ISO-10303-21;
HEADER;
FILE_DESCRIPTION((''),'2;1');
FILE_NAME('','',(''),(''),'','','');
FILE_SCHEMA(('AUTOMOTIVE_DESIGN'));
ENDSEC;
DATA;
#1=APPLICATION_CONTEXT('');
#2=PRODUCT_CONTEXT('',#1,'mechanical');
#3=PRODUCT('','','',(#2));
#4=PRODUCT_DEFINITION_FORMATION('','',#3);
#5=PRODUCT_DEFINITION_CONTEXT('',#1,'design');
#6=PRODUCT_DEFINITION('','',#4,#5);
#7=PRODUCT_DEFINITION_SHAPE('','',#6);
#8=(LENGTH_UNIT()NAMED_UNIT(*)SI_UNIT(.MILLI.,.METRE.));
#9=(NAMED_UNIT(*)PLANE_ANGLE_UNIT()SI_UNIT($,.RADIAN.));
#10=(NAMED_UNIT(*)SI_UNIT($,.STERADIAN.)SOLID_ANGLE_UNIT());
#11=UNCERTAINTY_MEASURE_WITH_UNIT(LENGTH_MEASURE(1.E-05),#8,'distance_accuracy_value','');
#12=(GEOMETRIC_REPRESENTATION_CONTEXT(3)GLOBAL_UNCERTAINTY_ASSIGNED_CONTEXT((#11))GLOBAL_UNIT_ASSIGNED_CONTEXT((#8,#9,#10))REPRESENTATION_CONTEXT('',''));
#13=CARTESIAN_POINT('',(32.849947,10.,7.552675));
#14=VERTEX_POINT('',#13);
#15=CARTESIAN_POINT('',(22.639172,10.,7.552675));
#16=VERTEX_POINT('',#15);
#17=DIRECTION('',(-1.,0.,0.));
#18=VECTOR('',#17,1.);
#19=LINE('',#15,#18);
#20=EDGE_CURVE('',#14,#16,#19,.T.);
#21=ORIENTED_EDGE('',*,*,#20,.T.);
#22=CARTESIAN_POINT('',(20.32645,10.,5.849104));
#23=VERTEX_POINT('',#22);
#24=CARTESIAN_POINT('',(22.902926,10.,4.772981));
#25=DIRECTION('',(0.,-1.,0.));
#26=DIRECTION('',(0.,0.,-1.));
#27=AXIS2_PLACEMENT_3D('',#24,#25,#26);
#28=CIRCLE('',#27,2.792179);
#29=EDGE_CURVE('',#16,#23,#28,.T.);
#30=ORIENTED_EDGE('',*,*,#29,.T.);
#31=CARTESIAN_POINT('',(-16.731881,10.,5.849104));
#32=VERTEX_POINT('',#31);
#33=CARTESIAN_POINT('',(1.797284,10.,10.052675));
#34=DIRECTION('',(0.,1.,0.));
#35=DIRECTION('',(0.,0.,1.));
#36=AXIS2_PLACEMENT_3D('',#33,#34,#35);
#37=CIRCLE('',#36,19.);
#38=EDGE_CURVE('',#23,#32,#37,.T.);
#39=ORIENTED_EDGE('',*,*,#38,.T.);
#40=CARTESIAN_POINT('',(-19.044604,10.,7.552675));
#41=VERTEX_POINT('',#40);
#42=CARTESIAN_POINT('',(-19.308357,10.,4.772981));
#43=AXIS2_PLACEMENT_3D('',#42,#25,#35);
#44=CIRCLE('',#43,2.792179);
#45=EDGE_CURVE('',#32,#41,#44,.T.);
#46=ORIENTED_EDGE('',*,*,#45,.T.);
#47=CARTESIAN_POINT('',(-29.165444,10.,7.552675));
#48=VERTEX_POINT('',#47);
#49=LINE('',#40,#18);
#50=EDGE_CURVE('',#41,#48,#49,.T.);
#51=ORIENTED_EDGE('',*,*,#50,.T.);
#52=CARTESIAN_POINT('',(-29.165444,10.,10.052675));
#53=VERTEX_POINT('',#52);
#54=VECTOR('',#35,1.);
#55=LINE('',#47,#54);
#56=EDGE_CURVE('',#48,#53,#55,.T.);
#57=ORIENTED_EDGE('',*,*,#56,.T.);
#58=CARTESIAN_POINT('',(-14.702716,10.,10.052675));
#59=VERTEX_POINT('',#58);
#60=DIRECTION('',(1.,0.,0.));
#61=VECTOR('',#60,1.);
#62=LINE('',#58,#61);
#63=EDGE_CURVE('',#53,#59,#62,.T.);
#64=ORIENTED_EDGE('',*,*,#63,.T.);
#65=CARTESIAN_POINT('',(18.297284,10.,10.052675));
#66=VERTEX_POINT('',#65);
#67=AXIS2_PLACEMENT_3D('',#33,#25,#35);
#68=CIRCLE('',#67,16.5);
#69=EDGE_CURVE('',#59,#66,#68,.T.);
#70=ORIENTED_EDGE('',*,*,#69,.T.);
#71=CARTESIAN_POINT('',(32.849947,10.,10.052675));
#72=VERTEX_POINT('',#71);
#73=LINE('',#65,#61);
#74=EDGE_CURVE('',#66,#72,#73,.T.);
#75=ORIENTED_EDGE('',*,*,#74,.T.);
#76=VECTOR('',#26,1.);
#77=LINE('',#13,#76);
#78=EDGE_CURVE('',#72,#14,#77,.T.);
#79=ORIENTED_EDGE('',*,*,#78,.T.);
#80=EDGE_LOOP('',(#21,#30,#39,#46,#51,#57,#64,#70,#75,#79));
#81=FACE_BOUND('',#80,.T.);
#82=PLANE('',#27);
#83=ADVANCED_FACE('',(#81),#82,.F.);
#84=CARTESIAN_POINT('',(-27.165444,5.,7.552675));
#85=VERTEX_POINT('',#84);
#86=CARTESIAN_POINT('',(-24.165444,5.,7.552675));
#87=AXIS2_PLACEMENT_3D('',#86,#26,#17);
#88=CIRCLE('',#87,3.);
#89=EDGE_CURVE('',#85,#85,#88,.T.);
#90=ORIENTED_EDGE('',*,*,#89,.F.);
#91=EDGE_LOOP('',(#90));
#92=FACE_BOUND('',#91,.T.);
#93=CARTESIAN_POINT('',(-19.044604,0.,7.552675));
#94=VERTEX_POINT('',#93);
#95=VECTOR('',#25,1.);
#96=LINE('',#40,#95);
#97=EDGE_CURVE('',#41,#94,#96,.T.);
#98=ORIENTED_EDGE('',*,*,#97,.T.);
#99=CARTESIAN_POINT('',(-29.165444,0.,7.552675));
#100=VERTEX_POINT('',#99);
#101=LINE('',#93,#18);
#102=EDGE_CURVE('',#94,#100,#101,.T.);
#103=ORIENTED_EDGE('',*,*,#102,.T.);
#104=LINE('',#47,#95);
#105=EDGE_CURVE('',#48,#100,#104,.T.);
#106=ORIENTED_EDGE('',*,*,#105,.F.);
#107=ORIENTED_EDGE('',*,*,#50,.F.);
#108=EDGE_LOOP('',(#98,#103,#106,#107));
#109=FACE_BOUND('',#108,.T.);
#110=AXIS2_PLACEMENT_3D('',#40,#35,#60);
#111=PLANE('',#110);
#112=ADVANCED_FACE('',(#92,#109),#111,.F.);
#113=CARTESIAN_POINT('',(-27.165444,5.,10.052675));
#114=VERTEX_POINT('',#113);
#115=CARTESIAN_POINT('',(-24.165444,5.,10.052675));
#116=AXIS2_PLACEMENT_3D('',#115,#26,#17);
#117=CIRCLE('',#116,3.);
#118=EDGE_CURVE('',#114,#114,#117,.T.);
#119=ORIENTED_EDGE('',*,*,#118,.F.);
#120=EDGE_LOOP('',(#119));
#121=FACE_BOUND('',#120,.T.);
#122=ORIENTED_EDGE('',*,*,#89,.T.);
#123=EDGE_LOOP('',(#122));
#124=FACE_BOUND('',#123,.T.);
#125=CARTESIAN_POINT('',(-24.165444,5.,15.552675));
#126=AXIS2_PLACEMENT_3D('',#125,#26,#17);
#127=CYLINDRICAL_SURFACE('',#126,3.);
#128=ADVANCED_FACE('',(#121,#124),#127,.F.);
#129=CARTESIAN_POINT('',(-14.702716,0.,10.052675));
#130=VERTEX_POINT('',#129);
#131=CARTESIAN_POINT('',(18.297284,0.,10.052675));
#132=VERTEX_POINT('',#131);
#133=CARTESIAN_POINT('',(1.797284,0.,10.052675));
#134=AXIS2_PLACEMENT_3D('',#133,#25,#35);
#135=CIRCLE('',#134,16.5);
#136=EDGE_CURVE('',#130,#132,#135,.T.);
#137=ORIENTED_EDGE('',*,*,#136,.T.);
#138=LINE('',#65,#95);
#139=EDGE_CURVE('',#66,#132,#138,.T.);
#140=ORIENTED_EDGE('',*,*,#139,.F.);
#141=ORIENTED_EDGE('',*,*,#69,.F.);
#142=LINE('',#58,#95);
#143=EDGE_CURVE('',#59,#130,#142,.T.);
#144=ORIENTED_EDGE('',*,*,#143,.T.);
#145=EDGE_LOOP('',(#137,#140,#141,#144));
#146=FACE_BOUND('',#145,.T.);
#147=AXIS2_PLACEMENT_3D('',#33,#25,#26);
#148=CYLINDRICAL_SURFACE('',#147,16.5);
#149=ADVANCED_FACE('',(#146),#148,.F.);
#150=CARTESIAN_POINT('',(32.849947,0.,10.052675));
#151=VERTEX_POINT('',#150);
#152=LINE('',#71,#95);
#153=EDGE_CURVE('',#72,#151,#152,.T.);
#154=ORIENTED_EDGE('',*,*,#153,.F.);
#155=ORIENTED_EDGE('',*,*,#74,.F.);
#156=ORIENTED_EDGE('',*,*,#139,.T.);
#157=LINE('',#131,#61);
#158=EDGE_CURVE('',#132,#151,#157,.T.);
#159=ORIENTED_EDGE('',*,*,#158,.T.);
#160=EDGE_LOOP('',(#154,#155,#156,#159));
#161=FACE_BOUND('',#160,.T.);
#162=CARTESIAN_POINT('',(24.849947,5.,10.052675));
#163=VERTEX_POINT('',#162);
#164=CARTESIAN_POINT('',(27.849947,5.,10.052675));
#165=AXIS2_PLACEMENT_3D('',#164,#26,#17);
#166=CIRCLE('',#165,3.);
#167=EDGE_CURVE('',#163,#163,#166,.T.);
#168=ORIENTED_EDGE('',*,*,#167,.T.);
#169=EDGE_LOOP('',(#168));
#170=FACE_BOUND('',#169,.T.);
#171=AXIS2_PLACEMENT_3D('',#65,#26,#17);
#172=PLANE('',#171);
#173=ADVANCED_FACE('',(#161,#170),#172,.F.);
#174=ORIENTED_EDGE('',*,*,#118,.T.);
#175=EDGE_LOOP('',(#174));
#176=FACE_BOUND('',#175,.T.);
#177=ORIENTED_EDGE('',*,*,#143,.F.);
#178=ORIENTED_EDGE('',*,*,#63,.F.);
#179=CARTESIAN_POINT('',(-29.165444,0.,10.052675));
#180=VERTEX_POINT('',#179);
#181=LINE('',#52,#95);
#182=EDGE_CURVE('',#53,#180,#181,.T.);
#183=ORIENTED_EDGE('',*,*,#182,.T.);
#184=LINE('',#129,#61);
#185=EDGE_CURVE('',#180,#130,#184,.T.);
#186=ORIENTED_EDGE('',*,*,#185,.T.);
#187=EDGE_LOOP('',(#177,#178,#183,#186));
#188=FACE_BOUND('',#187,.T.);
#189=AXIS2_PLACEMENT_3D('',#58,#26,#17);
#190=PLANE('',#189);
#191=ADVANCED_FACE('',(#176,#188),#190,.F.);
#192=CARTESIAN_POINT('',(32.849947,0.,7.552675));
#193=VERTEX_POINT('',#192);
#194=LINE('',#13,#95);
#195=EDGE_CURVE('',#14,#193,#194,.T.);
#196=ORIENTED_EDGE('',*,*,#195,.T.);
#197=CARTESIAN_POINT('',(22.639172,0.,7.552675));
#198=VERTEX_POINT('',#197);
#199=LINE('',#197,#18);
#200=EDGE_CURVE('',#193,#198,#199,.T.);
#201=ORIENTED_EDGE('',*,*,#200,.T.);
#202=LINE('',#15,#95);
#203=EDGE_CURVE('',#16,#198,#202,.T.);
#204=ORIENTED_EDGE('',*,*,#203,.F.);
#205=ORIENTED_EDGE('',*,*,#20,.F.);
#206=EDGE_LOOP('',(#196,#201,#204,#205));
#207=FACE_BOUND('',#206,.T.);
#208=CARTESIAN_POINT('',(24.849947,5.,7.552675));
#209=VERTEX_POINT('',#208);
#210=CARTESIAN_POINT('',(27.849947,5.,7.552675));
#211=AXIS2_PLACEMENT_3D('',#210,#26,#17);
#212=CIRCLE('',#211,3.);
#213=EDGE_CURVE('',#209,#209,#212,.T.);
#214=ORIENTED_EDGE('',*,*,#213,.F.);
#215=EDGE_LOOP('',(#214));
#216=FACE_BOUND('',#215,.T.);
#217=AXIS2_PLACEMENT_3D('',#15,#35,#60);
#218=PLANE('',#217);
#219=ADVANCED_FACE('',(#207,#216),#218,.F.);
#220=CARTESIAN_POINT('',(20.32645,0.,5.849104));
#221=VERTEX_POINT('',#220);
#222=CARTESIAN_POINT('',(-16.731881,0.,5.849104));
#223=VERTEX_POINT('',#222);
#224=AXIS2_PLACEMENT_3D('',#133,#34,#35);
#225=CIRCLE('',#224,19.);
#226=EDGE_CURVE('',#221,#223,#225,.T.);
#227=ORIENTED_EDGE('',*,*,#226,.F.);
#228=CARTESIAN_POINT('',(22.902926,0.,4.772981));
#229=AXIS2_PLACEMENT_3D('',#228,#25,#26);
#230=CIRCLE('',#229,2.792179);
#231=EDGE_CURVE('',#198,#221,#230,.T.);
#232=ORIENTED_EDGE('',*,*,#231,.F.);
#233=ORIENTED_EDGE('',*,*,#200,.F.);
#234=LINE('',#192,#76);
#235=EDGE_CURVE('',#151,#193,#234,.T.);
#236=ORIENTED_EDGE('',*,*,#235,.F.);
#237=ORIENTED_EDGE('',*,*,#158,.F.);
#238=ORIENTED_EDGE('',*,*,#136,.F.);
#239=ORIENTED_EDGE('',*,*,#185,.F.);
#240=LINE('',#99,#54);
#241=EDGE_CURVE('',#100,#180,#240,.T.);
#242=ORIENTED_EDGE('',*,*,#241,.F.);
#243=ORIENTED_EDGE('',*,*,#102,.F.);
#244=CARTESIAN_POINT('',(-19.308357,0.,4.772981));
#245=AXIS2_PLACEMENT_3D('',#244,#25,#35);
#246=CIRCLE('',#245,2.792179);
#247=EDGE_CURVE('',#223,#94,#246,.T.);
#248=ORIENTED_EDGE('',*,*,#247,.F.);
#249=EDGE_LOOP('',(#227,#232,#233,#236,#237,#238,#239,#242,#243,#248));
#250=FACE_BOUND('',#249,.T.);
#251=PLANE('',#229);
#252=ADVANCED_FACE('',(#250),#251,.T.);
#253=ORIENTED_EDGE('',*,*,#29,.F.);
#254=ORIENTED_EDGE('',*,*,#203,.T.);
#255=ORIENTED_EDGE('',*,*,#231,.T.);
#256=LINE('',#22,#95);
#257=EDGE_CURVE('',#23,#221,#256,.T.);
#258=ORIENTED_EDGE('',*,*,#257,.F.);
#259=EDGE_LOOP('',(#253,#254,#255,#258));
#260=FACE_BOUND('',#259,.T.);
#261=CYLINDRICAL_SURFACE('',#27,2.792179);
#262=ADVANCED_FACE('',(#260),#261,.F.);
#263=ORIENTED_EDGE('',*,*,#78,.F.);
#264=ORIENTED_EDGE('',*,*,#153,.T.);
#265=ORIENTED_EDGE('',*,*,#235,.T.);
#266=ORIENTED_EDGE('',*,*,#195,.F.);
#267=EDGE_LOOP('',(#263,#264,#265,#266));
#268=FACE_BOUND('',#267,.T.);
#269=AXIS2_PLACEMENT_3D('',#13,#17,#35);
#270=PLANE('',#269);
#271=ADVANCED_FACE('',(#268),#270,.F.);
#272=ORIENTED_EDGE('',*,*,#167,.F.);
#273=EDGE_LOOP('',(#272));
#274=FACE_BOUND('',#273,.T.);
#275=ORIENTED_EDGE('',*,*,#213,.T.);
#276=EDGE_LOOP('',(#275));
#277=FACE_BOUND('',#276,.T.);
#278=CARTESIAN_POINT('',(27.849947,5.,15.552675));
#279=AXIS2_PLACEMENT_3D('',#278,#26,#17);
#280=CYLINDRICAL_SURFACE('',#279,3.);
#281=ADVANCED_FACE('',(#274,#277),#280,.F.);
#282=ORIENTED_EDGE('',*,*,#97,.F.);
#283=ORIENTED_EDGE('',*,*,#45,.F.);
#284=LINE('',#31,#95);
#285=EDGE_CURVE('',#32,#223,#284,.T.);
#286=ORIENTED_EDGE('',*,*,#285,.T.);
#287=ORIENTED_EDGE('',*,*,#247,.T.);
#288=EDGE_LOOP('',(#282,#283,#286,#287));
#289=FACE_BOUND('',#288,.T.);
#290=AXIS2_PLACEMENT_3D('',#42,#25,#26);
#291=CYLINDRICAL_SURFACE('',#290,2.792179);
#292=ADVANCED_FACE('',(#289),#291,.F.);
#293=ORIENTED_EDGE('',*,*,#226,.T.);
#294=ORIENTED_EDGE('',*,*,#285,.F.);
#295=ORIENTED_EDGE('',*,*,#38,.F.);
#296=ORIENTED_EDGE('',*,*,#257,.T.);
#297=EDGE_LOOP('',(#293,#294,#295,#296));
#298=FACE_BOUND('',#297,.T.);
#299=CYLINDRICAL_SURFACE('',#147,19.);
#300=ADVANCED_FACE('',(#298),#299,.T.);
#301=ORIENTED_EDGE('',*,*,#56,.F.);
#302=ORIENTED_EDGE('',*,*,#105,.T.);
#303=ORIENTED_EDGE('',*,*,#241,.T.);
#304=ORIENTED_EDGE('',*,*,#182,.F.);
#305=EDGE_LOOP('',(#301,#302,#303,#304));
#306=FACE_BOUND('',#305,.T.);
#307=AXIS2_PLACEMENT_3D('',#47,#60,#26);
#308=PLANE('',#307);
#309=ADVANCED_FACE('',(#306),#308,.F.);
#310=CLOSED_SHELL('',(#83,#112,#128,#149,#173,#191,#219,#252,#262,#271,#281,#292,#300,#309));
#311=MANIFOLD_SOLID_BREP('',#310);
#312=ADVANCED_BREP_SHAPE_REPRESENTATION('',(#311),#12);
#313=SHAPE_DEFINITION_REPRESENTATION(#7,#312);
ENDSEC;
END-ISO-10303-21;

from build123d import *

# Parameters (mm, degrees)
BOSS_EXTRUDE1_DEPTH = 10
SKETCH2_R           = 3
CUT_EXTRUDE1_DEPTH  = 8


with BuildPart() as part:
    # Sketch1 → Boss-Extrude1 (new body)
    with BuildSketch(Plane(origin=(0, 0, 0), x_dir=(1, 0, 0), z_dir=(0, 1, 0))):
        with BuildLine():
            Line((-14.70271565, -10.052675371), (-29.165444207, -10.052675371))
            Line((-29.165444207, -10.052675371), (-29.165444207, -7.552675371))
            Line((-29.165444207, -7.552675371), (-19.04460375, -7.552675371))
            ThreePointArc((-19.04460375, -7.552675371), (-17.652378747, -7.021091902), (-16.731881464, -5.849103764))
            ThreePointArc((-16.731881464, -5.849103764), (1.79728435, 8.947324629), (20.326450163, -5.849103764))
            ThreePointArc((20.326450163, -5.849103764), (21.246947447, -7.021091902), (22.63917245, -7.552675371))
            Line((22.63917245, -7.552675371), (32.849946683, -7.552675371))
            Line((32.849946683, -7.552675371), (32.849946683, -10.052675371))
            Line((32.849946683, -10.052675371), (18.29728435, -10.052675371))
            ThreePointArc((18.29728435, -10.052675371), (1.79728435, 6.447324629), (-14.70271565, -10.052675371))
        make_face()
    extrude(amount=BOSS_EXTRUDE1_DEPTH)

    # Sketch2 → Cut-Extrude1 (cut)
    with BuildSketch(Plane(origin=(0, 0, 7.552675371), x_dir=(-1, 0, 0), z_dir=(0, 0, -1))):
        with Locations((24.165444207, 5)):
            Circle(SKETCH2_R)
        with Locations((-27.849946683, 5)):
            Circle(SKETCH2_R)
    extrude(amount=-CUT_EXTRUDE1_DEPTH, mode=Mode.SUBTRACT)


solid = part.part
